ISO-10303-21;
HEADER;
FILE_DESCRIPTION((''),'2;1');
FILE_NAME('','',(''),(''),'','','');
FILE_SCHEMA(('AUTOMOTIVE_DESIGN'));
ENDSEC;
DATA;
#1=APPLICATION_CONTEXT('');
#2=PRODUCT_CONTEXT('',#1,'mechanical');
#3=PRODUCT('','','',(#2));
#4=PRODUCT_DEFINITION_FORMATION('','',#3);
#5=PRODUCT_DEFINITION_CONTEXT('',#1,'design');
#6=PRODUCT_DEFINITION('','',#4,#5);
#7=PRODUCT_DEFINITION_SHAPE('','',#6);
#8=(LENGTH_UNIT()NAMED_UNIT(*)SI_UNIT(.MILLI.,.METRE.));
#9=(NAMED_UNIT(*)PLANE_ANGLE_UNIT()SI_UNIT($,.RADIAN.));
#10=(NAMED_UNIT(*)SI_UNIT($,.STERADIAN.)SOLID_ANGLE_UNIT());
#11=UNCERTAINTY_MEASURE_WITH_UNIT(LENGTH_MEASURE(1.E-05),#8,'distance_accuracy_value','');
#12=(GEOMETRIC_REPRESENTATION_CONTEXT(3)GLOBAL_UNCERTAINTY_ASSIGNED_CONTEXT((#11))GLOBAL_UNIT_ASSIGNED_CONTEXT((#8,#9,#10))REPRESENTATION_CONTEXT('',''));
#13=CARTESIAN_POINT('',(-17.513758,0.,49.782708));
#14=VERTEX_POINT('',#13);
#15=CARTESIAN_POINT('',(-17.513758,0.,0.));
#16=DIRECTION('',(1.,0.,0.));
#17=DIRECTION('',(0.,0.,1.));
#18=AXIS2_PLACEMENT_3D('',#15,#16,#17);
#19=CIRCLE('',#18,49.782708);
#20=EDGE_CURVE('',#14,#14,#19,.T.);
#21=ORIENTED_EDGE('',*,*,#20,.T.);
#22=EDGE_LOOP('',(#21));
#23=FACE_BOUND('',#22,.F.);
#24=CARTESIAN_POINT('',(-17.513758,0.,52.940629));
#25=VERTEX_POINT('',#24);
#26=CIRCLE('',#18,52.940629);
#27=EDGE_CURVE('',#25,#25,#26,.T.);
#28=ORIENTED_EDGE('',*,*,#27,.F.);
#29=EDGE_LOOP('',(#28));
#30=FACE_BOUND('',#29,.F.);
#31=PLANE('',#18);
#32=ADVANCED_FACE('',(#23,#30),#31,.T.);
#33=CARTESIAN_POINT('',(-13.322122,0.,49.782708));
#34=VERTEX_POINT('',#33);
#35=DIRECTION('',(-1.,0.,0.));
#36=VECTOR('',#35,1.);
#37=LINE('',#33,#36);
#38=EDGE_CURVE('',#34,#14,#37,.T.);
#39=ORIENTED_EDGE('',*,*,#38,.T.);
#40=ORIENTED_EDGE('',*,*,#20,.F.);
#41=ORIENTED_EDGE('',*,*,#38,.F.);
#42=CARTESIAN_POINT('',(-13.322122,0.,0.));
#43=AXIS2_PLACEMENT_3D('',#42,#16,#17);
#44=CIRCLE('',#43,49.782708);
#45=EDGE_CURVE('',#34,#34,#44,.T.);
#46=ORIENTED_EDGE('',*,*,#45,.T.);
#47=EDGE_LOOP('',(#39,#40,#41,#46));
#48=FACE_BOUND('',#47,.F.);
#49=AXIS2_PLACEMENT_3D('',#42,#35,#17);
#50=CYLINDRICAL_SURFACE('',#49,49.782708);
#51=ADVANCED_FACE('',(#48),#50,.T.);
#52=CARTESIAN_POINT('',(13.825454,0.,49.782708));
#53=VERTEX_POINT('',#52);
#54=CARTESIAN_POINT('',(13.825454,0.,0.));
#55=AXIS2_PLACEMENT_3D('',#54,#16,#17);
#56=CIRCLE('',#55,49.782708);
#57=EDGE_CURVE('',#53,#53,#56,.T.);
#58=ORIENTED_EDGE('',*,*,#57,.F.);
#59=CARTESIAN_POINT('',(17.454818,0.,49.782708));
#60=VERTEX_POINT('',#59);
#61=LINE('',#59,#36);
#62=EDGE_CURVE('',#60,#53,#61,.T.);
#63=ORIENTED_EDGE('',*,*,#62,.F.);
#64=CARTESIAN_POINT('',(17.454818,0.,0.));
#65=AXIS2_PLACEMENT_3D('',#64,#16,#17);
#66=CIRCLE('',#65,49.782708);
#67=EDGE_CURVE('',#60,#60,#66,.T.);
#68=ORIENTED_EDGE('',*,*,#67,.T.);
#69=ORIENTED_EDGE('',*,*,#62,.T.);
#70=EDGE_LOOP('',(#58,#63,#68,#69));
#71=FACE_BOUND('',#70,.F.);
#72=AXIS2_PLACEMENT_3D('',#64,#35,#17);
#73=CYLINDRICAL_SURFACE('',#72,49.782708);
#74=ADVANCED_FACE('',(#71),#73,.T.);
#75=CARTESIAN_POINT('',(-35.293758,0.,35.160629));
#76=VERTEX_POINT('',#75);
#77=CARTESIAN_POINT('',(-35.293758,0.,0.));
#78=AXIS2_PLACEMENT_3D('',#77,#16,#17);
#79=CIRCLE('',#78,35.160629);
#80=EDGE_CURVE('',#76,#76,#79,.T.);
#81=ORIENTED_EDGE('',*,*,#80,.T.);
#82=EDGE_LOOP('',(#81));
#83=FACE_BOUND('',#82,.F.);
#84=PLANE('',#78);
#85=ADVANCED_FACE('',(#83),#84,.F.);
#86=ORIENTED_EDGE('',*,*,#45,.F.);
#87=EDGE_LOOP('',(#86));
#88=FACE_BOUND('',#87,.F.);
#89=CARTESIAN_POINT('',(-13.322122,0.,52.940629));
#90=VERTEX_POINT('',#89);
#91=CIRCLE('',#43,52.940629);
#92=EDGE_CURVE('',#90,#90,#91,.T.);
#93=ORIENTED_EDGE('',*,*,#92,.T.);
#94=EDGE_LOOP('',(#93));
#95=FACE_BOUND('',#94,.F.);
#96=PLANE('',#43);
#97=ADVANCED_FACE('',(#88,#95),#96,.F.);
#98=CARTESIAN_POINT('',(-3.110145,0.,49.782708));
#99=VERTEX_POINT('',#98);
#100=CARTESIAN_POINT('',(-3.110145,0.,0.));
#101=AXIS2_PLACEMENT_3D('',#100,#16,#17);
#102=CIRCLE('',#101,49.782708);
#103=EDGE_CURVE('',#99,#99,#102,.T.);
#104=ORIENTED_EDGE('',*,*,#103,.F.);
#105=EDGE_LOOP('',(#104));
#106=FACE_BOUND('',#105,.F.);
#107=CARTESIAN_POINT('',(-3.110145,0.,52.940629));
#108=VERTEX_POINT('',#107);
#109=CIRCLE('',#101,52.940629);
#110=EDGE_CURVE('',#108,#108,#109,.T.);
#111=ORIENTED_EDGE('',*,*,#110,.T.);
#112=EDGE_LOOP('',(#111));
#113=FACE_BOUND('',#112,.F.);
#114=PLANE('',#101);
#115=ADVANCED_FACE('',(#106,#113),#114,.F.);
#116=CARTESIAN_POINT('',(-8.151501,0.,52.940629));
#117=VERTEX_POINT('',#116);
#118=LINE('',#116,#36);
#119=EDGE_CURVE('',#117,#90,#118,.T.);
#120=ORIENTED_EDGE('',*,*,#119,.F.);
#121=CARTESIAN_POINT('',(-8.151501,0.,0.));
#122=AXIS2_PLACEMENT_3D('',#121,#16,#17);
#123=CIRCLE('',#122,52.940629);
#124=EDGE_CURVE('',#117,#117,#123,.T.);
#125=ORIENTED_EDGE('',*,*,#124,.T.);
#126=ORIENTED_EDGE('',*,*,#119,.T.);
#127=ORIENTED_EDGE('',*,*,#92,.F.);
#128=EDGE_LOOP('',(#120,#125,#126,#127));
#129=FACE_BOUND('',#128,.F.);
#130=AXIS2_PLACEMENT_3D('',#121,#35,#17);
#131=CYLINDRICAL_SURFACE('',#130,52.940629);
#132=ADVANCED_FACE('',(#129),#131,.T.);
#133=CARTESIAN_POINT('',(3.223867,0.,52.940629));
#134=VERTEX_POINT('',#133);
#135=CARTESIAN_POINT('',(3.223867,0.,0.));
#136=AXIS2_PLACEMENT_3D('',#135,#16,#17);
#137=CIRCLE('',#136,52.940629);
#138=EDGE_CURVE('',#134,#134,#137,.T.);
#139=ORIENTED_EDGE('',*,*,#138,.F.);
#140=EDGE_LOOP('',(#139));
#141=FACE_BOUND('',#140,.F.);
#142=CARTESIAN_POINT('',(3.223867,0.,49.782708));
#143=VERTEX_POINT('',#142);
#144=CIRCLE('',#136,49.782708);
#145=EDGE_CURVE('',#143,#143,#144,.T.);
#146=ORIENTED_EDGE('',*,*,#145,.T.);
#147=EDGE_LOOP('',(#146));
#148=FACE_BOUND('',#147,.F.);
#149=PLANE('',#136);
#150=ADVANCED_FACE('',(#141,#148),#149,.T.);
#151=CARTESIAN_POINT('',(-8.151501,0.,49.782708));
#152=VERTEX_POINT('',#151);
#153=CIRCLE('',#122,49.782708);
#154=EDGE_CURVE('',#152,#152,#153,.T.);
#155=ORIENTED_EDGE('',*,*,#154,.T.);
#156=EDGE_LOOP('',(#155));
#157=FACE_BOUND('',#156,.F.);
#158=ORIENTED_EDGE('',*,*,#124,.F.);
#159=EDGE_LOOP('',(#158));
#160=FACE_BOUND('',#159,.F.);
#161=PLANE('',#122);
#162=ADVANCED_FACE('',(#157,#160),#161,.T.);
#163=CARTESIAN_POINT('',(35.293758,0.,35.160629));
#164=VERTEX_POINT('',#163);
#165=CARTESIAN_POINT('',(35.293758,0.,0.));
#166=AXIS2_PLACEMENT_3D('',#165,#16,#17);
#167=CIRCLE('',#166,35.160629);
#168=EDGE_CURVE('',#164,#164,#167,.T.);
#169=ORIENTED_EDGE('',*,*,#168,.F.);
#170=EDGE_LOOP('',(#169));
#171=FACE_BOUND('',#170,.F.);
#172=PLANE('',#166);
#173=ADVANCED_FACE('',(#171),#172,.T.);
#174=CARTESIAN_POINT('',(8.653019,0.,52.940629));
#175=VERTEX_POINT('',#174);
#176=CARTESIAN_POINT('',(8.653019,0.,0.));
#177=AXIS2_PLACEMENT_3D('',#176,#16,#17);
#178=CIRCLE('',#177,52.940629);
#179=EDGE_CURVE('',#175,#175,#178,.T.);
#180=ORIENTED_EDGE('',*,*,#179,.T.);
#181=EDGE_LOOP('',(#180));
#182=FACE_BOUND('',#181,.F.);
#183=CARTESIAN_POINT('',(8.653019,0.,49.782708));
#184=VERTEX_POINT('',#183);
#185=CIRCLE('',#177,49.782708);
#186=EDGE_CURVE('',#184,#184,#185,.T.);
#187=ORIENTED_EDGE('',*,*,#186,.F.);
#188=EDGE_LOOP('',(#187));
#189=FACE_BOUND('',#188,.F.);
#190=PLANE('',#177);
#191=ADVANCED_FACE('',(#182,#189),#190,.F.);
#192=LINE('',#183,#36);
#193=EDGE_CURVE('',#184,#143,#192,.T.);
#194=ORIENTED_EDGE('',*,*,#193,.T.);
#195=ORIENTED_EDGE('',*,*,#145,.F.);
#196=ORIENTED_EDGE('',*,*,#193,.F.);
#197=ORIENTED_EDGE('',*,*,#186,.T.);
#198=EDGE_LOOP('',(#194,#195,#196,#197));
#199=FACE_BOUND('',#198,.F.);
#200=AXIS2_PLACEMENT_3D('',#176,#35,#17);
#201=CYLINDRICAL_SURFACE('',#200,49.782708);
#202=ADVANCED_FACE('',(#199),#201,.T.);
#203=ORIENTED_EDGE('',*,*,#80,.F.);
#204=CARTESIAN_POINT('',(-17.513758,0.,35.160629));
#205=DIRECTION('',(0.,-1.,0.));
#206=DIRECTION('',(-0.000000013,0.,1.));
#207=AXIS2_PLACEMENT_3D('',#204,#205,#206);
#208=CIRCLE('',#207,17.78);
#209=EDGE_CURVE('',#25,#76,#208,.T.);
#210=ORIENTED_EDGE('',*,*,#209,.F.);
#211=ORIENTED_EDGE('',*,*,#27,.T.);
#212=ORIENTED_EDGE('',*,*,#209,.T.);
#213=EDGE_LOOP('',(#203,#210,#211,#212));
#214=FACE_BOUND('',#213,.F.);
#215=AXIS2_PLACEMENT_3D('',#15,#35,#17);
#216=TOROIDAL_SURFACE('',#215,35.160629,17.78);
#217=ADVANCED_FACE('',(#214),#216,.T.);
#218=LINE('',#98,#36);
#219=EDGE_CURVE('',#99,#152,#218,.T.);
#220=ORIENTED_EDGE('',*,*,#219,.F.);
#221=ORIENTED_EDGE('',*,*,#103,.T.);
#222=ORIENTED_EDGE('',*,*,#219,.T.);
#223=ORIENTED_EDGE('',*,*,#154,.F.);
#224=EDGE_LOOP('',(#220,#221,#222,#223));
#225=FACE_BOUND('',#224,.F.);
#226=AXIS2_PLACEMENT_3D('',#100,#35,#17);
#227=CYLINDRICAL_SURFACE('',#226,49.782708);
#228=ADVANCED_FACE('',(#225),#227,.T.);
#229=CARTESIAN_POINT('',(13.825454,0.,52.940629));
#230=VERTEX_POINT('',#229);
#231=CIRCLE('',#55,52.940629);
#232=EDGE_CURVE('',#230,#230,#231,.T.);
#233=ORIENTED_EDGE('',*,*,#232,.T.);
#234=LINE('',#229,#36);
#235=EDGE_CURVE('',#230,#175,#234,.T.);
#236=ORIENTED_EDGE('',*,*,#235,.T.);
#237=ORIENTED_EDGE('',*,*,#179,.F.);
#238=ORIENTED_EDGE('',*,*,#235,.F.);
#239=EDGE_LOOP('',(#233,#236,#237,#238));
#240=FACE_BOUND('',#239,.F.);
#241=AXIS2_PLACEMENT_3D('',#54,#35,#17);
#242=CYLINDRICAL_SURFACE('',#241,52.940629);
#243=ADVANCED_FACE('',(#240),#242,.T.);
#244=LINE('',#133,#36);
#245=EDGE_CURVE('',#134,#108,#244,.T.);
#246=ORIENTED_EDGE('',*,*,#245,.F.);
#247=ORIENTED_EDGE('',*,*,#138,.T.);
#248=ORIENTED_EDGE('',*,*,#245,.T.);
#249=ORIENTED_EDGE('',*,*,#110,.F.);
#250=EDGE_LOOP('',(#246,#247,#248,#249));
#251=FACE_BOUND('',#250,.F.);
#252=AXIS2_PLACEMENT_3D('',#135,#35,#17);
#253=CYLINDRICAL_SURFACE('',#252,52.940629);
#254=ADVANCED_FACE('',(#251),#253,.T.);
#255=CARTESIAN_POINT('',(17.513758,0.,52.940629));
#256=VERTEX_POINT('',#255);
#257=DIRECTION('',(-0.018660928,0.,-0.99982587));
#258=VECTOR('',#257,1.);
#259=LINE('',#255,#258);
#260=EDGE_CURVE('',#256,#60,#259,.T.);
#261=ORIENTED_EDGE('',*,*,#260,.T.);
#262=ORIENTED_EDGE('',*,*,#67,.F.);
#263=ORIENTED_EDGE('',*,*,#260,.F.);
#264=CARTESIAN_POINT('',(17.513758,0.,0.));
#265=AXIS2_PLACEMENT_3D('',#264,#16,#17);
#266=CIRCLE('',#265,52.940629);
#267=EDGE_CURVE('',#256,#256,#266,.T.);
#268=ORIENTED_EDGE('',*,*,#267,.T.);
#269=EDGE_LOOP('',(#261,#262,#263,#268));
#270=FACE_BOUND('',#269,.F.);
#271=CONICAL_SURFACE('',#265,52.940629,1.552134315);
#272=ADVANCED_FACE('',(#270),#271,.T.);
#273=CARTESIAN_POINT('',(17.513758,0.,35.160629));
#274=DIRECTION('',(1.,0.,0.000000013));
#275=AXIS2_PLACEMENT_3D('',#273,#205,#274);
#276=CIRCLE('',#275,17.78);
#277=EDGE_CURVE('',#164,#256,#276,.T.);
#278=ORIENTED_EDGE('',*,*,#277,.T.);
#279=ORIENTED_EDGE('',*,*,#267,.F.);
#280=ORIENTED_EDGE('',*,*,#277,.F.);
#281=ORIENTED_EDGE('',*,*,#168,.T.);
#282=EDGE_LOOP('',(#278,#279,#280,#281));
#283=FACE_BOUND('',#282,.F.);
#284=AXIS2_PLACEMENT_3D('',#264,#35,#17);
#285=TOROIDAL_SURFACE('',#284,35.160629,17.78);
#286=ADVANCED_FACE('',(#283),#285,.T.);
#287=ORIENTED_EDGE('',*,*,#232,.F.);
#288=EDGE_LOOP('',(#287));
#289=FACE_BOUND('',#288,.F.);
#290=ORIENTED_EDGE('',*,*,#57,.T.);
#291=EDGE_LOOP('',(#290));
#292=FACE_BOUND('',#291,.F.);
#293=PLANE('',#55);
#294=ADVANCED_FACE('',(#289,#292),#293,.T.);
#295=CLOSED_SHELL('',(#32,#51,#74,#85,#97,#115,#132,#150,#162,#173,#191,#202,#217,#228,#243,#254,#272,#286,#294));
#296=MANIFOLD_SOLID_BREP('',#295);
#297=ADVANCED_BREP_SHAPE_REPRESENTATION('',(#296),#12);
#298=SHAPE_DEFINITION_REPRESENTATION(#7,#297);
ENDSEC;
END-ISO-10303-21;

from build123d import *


with BuildPart() as f1:
    # F0 (on Front) → F1 (revolve)
    with BuildSketch(Plane.XZ):
        with BuildLine():
            Line((13.825454, 49.782708), (13.825454, 52.940629))
            Line((13.825454, 52.940629), (8.653019, 52.940629))
            Line((8.653019, 52.940629), (8.653019, 49.782708))
            Line((8.653019, 49.782708), (3.223867, 49.782708))
            Line((3.223867, 49.782708), (3.223867, 52.940629))
            Line((3.223867, 52.940629), (-0.02947, 52.940629))
            Line((-0.02947, 52.940629), (-3.110145, 52.940629))
            Line((-3.110145, 52.940629), (-3.110145, 49.782708))
            Line((-3.110145, 49.782708), (-8.151501, 49.782708))
            Line((-8.151501, 49.782708), (-8.151501, 52.940629))
            Line((-8.151501, 52.940629), (-13.322122, 52.940629))
            Line((-13.322122, 52.940629), (-13.322122, 49.782708))
            Line((-13.322122, 49.782708), (-17.513758, 49.782708))
            Line((-17.513758, 49.782708), (-17.513758, 52.940629))
            ThreePointArc((-17.513758, 52.940629), (-30.086116, 47.732988), (-35.293758, 35.160629))
            Line((-35.293758, 35.160629), (-35.293758, 0))
            Line((-35.293758, 0), (35.293758, 0))
            Line((35.293758, 0), (35.293758, 35.160629))
            ThreePointArc((35.293758, 35.160629), (30.086116, 47.732988), (17.513758, 52.940629))
            Line((17.513758, 52.940629), (17.454818, 49.782708))
            Line((17.454818, 49.782708), (13.825454, 49.782708))
        make_face()
    revolve(axis=Axis((0, 0, 0), (1, 0, 0)))


solid = f1.part
